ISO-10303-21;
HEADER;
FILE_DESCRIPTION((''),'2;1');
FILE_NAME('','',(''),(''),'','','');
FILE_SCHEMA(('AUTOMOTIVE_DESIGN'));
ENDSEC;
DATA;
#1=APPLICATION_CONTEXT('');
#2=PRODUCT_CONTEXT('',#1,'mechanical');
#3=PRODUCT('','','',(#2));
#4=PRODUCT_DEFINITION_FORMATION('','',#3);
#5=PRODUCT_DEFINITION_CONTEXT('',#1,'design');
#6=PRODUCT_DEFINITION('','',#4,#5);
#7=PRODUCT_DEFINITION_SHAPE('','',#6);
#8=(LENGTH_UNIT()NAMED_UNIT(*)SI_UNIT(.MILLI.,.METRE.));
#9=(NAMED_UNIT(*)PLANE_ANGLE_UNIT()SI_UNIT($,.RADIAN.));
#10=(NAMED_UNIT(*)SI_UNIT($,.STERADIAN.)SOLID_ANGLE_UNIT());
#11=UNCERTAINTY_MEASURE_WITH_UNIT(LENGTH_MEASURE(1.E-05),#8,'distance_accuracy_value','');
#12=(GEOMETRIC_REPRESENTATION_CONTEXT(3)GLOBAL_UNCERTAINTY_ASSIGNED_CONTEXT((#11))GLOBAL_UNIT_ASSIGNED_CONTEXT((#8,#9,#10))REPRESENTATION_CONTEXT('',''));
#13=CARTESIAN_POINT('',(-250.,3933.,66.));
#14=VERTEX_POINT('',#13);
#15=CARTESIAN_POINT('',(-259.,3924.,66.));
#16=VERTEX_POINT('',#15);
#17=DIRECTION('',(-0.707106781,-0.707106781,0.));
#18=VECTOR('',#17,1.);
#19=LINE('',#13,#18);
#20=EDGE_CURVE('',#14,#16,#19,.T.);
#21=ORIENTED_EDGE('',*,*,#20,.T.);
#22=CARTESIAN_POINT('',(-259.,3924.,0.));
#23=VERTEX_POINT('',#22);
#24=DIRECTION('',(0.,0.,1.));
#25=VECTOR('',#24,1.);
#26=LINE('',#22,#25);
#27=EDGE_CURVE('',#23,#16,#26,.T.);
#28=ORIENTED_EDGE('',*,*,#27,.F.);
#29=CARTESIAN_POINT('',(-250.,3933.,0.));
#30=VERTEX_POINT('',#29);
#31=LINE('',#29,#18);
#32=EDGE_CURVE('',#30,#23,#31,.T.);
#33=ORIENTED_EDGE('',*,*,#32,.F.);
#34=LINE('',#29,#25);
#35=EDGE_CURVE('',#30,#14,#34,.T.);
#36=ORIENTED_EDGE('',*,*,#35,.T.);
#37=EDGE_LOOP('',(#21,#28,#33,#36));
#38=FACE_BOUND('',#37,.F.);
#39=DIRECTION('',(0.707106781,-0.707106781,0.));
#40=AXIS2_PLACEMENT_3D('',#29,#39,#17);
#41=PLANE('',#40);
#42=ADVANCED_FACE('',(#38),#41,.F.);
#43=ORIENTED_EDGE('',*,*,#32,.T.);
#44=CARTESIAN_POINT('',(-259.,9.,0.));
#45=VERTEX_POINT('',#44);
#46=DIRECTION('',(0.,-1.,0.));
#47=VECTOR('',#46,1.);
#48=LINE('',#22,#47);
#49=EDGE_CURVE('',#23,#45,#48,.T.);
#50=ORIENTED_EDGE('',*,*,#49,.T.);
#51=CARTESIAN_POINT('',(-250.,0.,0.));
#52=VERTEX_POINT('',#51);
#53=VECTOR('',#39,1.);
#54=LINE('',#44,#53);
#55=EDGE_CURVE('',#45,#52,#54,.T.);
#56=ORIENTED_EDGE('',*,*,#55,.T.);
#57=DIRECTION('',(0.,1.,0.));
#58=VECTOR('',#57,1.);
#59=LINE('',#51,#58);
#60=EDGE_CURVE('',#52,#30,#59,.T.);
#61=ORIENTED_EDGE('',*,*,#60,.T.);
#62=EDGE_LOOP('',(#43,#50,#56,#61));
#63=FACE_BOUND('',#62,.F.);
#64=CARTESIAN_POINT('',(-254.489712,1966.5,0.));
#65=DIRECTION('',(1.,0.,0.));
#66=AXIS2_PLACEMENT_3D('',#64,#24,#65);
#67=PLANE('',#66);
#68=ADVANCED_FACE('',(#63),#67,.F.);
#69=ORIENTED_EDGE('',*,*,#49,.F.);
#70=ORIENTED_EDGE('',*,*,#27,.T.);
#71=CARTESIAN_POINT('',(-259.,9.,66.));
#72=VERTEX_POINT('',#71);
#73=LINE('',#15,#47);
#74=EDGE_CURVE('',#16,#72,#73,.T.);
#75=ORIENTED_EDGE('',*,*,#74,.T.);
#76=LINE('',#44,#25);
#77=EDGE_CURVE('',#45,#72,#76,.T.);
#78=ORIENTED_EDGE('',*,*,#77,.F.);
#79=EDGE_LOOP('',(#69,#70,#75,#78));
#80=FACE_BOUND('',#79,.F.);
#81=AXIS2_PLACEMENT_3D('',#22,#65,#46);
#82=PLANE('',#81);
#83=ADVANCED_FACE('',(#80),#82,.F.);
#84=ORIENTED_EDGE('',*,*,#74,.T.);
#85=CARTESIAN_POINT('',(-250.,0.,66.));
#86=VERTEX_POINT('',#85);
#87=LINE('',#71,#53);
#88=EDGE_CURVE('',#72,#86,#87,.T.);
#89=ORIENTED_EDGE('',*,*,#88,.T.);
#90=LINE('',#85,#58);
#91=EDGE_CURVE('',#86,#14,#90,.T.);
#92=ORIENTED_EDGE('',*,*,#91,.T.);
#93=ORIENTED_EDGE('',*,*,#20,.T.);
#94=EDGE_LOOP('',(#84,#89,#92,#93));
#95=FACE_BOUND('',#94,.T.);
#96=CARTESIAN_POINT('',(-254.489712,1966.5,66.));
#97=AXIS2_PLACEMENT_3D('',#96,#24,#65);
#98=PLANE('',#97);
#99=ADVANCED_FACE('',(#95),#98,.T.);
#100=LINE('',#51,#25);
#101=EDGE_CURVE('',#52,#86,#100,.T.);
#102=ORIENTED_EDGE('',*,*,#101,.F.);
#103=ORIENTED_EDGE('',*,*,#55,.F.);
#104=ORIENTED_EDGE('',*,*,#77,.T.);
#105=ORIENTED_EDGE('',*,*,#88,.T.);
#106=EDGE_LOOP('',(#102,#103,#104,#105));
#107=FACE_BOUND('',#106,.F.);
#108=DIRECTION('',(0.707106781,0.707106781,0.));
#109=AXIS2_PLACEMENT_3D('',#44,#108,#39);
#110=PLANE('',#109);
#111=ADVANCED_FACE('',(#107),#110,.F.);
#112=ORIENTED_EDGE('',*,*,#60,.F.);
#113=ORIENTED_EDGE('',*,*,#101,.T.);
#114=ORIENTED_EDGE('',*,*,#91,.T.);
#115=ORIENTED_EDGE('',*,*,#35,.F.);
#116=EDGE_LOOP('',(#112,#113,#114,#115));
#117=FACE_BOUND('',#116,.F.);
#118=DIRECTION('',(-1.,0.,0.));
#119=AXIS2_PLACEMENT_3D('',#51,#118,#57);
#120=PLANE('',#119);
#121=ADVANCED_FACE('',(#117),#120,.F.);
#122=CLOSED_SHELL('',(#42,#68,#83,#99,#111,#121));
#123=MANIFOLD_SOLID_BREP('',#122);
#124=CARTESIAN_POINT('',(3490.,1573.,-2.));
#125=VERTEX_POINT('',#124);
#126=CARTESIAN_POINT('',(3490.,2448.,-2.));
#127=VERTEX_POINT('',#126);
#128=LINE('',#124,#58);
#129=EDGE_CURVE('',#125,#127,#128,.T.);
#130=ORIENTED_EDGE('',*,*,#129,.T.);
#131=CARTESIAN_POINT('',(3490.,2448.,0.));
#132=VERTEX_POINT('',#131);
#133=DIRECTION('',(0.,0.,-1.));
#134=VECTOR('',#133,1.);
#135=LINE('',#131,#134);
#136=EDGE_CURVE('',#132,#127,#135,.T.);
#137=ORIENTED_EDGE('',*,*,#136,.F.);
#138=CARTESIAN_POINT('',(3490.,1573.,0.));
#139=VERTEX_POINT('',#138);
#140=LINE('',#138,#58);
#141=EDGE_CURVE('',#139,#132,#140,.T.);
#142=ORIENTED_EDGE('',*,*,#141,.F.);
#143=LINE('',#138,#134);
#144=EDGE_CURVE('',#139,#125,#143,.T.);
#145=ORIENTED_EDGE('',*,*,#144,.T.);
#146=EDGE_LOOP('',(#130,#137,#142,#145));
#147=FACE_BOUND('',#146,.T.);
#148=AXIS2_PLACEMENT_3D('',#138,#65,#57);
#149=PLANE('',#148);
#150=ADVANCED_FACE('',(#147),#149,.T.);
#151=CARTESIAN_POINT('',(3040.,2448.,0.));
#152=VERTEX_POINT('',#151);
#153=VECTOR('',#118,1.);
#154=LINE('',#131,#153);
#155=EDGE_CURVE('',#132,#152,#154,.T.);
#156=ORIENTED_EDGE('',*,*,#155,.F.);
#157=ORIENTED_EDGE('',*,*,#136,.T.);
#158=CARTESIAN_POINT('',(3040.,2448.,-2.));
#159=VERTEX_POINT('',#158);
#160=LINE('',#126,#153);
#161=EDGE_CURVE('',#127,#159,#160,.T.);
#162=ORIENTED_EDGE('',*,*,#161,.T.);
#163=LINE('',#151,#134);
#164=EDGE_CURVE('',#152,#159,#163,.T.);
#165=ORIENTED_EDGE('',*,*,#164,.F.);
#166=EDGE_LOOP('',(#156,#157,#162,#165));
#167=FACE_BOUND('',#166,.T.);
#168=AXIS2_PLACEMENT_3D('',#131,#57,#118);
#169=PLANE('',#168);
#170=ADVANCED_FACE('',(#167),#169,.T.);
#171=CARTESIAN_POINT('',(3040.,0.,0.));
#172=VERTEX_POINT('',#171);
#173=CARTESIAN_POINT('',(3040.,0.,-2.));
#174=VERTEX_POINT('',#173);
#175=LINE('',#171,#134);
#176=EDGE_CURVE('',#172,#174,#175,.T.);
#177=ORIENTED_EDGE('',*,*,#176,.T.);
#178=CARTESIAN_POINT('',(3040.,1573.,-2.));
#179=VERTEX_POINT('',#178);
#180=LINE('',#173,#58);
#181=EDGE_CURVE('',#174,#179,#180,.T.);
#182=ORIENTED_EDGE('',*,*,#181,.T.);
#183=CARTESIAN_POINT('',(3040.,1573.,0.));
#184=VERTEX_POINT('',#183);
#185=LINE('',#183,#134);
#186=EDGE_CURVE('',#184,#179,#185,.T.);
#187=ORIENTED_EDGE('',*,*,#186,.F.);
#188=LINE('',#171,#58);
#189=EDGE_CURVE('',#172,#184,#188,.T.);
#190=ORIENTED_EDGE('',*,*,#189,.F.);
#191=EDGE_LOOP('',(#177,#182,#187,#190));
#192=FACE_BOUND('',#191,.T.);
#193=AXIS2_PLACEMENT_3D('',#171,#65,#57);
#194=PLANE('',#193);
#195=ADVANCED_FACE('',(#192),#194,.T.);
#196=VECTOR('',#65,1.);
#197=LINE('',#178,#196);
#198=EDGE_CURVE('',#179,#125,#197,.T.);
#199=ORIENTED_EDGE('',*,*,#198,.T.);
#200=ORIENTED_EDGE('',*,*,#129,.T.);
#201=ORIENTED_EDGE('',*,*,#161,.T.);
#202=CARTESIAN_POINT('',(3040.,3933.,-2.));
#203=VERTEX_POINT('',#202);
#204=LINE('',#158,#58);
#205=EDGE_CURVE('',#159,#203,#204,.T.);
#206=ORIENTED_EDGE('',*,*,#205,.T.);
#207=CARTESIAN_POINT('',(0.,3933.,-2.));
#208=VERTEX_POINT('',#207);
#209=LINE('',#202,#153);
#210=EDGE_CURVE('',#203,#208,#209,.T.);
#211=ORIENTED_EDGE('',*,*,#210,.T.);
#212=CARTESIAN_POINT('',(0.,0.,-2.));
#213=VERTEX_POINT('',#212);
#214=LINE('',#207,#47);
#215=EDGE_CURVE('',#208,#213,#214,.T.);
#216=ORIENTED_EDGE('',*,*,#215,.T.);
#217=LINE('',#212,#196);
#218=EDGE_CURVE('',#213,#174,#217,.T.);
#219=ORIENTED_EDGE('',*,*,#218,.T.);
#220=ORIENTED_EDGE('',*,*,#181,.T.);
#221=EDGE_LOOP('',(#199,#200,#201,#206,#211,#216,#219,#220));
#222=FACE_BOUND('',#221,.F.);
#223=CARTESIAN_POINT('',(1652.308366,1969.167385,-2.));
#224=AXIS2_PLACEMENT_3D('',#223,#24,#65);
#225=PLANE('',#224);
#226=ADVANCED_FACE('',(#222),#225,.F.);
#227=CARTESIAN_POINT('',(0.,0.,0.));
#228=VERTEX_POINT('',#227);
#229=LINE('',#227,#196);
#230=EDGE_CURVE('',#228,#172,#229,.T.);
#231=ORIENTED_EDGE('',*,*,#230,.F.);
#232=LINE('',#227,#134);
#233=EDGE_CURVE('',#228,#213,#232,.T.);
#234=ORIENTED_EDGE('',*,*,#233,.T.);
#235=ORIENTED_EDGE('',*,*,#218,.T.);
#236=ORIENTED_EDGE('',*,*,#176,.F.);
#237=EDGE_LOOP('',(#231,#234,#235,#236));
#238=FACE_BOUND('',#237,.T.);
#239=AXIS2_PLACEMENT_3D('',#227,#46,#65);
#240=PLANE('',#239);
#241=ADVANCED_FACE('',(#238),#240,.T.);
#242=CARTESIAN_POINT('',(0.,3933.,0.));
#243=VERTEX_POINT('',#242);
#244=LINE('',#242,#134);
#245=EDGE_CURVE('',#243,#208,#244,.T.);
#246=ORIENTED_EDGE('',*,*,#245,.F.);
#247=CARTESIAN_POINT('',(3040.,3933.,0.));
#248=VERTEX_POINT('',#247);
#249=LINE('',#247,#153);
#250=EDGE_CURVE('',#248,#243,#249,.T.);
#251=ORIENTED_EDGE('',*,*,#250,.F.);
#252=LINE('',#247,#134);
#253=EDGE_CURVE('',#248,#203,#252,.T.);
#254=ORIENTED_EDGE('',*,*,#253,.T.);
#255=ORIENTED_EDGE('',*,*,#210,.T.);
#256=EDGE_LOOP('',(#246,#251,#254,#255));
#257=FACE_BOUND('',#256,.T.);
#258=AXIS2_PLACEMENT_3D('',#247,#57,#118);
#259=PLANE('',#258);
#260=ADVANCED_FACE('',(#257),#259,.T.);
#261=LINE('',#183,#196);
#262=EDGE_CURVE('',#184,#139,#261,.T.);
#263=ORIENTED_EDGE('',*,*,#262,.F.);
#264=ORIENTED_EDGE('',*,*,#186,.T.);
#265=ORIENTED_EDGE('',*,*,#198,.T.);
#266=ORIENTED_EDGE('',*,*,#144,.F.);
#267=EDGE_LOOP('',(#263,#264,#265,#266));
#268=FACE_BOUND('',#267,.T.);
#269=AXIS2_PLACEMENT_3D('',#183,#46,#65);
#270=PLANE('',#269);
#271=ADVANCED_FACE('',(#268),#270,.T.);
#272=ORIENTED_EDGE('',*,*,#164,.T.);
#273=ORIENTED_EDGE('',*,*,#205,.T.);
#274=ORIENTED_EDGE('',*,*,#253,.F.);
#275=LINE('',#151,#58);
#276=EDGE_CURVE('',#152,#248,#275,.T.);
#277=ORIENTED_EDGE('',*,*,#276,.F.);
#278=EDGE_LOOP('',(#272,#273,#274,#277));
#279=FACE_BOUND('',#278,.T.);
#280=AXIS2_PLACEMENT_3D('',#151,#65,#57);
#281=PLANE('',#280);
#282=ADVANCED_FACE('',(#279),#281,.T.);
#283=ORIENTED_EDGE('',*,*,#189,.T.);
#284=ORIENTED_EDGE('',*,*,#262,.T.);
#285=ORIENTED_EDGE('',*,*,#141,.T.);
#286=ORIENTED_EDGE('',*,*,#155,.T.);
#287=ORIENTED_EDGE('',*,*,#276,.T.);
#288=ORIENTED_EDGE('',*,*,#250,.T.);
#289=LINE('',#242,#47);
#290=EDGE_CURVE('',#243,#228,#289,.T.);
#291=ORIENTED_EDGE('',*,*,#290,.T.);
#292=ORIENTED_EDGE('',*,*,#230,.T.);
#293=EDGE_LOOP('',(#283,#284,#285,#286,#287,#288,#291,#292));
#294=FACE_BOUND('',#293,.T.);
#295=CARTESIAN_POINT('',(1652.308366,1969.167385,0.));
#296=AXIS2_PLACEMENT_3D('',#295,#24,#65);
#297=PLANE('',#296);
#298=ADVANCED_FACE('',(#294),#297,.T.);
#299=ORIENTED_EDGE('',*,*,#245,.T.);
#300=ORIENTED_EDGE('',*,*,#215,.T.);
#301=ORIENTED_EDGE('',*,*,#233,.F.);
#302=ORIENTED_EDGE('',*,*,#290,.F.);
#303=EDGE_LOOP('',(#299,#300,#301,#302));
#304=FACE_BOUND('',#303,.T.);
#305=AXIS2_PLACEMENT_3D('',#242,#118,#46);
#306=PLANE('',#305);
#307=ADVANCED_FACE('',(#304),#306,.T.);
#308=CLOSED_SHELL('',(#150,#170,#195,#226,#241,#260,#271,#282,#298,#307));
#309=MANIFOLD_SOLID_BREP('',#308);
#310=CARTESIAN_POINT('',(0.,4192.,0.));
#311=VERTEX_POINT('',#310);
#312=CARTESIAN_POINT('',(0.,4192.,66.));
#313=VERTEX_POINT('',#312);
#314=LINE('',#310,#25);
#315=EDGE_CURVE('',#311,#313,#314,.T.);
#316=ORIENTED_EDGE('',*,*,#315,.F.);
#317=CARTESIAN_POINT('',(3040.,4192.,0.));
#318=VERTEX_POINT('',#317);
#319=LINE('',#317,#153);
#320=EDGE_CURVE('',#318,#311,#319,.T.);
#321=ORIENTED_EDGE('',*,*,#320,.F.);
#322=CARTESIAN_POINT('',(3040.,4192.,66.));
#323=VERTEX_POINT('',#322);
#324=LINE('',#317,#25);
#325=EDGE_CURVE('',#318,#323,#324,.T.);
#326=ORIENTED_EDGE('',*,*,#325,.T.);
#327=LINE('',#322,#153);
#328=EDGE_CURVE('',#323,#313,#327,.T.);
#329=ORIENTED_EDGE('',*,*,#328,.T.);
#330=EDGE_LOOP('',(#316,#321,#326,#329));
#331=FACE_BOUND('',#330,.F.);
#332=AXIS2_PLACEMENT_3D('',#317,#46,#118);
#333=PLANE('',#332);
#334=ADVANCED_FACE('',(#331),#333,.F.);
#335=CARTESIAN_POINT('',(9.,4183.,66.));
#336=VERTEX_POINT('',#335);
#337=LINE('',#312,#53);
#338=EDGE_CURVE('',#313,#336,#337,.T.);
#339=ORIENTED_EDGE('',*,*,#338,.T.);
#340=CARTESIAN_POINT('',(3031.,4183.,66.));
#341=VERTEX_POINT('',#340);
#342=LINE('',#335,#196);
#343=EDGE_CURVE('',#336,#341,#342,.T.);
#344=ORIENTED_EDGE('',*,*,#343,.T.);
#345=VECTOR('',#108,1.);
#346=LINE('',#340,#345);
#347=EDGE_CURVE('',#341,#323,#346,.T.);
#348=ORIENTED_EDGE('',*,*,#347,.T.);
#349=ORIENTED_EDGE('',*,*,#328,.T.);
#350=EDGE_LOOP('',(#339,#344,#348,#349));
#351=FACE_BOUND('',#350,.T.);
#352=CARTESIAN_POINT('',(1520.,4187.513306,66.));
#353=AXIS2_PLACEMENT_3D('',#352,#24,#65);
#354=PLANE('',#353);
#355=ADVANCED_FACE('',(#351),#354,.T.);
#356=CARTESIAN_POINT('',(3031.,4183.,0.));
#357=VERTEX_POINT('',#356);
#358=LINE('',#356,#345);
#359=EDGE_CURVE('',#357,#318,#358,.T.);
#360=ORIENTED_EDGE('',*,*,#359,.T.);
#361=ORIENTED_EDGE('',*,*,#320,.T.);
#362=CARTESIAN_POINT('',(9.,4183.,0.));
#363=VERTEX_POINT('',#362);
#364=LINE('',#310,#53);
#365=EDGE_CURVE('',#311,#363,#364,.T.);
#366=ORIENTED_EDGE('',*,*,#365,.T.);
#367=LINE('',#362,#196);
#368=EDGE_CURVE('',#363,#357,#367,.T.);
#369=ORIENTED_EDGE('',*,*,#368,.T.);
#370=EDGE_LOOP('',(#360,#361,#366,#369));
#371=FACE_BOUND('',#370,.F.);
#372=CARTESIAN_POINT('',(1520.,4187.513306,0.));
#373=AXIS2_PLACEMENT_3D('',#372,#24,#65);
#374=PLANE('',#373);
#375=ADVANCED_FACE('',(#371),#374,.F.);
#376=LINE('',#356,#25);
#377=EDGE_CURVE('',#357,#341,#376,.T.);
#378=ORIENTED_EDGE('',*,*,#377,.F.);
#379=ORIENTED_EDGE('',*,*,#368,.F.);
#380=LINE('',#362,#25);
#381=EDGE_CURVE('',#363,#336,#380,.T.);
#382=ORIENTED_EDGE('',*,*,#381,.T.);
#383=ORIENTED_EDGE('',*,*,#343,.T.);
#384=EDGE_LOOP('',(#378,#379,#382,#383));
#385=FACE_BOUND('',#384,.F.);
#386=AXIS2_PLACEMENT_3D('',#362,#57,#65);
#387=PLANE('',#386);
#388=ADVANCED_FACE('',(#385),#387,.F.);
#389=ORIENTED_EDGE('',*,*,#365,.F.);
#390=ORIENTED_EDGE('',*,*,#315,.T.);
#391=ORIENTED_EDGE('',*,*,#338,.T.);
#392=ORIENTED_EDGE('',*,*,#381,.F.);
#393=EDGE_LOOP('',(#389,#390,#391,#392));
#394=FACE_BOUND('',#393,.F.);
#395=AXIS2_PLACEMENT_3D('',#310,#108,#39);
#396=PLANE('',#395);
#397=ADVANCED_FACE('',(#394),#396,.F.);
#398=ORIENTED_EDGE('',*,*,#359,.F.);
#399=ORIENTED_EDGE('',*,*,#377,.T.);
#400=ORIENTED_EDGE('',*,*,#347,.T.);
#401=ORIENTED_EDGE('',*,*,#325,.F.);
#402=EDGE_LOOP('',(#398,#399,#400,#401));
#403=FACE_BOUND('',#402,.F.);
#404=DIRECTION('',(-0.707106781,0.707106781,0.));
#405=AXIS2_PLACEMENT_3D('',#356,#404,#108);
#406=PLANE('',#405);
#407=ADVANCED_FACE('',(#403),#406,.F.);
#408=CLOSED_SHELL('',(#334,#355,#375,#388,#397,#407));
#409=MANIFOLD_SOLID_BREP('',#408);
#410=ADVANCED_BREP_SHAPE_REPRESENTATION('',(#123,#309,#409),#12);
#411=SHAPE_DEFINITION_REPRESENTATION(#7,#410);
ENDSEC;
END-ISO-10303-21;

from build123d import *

# Parameters (mm, degrees)
F1_DEPTH = 2
F3_DEPTH = 66
F5_DEPTH = 66


with BuildPart() as f1:
    # F0 (on Top) → F1 (new body)
    with BuildSketch(Plane.XY):
        Polygon((0, 3933), (0, 0), (3040, 0), (3040, 1573), (3490, 1573), (3490, 2448), (3040, 2448), (3040, 3933), align=None)
    extrude(amount=-F1_DEPTH)


with BuildPart() as f3:
    # F2 (on Top) → F3 (new body)
    with BuildSketch(Plane.XY):
        Polygon((-259, 9), (-250, 0), (-250, 3933), (-259, 3924), align=None)
    extrude(amount=F3_DEPTH)


with BuildPart() as f5:
    # F4 (on Top) → F5 (new body)
    with BuildSketch(Plane.XY):
        Polygon((3040, 4192), (0, 4192), (9, 4183), (3031, 4183), align=None)
    extrude(amount=F5_DEPTH)


solid = Compound([f1.part, f3.part, f5.part])
